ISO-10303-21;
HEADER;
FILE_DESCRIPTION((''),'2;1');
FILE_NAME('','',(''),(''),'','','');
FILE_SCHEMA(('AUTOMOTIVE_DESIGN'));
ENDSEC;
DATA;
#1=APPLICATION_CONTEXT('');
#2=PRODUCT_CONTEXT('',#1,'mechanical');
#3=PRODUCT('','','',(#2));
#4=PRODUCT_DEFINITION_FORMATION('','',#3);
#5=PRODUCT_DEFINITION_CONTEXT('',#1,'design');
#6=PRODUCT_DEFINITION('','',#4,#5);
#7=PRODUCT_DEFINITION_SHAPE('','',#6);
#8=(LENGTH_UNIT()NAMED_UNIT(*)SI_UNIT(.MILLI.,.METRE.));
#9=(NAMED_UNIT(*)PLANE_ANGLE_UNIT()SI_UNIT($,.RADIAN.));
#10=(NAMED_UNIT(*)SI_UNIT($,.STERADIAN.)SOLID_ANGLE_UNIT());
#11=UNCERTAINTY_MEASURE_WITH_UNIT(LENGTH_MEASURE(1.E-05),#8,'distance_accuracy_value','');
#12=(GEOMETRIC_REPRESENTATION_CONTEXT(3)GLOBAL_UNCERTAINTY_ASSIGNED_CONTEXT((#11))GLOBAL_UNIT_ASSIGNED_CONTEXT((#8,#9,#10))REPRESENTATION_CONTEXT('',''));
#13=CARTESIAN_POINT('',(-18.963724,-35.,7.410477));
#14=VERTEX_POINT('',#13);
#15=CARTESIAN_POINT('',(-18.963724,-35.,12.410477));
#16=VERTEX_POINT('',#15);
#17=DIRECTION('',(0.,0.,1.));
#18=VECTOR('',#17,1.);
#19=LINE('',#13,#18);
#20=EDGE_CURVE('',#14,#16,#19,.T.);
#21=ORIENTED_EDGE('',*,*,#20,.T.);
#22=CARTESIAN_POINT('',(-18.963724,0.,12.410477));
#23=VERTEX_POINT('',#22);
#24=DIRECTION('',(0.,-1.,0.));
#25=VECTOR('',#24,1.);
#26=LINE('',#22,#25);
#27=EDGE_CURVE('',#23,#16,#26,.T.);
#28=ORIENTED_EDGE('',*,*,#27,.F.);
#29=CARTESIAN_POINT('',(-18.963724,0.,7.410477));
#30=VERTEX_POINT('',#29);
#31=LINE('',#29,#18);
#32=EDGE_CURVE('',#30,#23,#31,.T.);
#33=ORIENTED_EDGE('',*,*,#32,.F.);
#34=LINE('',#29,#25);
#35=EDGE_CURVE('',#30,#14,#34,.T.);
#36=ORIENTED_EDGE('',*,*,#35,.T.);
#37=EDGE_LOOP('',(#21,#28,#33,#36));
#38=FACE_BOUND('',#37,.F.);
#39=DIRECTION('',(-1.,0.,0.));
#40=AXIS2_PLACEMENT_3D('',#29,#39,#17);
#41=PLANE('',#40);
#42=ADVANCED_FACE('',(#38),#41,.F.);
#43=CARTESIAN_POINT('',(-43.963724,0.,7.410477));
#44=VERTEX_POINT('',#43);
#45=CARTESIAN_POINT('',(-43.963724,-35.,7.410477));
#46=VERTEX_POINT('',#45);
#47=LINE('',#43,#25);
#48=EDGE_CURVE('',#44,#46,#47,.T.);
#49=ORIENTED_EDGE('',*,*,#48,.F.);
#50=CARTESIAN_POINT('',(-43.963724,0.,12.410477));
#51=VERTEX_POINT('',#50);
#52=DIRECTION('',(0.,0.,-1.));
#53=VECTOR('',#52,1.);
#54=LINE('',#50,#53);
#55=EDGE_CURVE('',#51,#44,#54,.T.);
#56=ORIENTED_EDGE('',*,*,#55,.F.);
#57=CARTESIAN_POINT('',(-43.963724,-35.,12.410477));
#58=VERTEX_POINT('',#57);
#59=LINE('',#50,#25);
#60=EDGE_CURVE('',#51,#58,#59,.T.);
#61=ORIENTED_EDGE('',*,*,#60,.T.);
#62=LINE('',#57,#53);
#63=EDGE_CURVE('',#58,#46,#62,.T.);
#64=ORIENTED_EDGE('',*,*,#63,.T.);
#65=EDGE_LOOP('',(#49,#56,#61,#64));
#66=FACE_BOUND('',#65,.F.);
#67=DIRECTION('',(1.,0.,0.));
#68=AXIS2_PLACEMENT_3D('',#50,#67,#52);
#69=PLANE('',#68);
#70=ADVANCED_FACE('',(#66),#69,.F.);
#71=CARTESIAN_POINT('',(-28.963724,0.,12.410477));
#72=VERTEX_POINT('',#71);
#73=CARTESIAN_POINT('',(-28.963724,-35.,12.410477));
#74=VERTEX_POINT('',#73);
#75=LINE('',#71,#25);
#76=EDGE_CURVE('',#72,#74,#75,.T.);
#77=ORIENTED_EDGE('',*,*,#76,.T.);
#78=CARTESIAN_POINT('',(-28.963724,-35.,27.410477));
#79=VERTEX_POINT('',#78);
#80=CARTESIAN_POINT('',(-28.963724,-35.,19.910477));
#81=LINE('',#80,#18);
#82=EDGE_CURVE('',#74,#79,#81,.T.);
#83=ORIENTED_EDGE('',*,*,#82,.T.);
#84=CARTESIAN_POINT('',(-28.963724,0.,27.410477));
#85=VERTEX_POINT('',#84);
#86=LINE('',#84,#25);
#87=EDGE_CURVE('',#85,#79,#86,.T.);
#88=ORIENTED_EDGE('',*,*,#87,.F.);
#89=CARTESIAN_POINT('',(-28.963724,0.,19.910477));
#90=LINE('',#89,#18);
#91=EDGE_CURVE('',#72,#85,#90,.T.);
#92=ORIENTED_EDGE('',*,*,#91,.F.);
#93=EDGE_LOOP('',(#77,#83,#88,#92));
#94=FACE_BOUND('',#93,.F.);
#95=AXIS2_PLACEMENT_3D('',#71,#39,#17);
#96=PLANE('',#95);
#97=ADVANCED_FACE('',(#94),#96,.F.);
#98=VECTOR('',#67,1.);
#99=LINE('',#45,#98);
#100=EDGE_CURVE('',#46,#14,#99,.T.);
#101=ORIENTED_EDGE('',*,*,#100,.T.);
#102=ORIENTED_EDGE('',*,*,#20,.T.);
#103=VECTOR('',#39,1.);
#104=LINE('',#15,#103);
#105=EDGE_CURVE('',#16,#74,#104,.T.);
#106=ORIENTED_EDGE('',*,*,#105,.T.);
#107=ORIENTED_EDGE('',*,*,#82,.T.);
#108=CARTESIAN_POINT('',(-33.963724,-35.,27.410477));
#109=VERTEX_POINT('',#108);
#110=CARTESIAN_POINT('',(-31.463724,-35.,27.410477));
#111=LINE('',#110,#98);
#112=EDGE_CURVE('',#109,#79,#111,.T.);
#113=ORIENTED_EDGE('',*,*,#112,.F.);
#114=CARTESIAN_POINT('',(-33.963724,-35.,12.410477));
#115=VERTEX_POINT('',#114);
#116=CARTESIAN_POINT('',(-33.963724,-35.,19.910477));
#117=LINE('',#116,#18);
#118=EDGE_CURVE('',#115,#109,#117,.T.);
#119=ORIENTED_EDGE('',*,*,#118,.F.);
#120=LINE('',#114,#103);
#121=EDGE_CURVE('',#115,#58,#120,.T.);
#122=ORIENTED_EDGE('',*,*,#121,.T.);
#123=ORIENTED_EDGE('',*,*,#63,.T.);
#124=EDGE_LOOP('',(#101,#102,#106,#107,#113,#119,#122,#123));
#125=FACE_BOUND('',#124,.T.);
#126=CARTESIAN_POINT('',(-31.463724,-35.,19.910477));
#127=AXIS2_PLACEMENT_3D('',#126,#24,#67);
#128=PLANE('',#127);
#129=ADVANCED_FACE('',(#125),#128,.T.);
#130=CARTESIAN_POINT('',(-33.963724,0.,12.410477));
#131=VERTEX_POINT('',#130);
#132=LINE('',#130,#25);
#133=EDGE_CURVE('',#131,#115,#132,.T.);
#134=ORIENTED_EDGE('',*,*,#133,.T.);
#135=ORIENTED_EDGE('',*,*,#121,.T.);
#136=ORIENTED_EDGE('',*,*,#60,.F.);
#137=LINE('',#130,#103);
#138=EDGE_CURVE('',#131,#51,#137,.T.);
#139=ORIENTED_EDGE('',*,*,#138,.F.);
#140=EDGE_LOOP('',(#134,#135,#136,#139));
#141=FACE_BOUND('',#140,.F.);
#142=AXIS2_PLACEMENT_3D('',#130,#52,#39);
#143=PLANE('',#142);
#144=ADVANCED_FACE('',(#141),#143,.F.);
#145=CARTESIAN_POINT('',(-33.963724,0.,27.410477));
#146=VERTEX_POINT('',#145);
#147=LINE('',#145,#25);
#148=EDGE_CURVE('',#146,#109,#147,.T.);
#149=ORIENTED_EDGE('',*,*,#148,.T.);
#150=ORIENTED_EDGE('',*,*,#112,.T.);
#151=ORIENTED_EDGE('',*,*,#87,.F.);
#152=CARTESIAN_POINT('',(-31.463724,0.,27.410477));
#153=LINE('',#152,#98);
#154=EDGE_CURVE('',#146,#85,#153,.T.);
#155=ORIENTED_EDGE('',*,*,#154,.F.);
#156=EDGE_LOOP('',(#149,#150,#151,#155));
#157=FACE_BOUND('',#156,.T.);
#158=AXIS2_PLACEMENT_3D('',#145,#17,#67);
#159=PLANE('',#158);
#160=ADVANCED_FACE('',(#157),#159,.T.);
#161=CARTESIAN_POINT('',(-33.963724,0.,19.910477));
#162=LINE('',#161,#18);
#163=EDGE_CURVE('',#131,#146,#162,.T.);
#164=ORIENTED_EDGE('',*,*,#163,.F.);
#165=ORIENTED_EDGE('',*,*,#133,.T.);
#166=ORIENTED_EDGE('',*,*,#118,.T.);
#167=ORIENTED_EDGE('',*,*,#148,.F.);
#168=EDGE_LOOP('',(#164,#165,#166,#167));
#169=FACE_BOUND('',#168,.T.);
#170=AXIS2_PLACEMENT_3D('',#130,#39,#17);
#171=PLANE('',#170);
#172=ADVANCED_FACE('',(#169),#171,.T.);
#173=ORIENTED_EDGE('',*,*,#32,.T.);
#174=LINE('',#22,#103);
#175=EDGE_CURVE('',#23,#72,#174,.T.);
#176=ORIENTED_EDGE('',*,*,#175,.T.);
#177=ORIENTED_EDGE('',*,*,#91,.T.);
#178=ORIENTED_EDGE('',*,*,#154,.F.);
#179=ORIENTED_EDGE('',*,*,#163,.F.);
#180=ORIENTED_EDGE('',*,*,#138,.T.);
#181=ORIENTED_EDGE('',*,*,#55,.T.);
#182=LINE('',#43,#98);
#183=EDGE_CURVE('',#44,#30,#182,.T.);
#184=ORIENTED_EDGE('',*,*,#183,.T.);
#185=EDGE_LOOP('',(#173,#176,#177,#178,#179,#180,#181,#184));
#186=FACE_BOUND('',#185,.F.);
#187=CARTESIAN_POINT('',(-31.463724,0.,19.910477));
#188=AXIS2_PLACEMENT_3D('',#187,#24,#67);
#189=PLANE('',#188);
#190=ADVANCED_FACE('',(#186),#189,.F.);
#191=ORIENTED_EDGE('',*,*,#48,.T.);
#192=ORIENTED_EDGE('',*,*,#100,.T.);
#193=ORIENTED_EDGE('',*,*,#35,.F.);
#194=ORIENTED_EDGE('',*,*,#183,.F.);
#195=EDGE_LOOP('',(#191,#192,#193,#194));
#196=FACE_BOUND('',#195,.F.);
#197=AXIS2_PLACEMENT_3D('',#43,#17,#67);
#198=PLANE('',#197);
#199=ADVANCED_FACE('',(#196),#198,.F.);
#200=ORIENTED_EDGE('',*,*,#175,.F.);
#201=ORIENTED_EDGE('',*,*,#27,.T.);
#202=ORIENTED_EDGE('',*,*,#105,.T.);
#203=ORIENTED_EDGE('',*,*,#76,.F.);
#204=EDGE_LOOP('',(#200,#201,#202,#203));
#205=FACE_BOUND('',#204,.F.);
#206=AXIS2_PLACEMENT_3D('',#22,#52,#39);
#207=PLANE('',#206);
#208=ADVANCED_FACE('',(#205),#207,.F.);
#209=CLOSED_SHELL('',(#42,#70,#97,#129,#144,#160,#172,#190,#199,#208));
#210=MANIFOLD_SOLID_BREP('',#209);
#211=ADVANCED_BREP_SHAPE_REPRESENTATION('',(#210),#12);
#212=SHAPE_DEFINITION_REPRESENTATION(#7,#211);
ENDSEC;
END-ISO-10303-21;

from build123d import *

# Parameters (mm, degrees)
F0_W     = 5
F0_H     = 15
F1_DEPTH = 35


with BuildPart() as f1:
    # F0 (on Front) → F1 (new body)
    with BuildSketch(Plane.XZ):
        with Locations((-31.463724, 19.910477)):
            Rectangle(F0_W, F0_H)
        Polygon((-33.963724, 12.410477), (-43.963724, 12.410477), (-43.963724, 7.410477), (-18.963724, 7.410477), (-18.963724, 12.410477), (-28.963724, 12.410477), align=None)
    extrude(amount=F1_DEPTH)


solid = f1.part
